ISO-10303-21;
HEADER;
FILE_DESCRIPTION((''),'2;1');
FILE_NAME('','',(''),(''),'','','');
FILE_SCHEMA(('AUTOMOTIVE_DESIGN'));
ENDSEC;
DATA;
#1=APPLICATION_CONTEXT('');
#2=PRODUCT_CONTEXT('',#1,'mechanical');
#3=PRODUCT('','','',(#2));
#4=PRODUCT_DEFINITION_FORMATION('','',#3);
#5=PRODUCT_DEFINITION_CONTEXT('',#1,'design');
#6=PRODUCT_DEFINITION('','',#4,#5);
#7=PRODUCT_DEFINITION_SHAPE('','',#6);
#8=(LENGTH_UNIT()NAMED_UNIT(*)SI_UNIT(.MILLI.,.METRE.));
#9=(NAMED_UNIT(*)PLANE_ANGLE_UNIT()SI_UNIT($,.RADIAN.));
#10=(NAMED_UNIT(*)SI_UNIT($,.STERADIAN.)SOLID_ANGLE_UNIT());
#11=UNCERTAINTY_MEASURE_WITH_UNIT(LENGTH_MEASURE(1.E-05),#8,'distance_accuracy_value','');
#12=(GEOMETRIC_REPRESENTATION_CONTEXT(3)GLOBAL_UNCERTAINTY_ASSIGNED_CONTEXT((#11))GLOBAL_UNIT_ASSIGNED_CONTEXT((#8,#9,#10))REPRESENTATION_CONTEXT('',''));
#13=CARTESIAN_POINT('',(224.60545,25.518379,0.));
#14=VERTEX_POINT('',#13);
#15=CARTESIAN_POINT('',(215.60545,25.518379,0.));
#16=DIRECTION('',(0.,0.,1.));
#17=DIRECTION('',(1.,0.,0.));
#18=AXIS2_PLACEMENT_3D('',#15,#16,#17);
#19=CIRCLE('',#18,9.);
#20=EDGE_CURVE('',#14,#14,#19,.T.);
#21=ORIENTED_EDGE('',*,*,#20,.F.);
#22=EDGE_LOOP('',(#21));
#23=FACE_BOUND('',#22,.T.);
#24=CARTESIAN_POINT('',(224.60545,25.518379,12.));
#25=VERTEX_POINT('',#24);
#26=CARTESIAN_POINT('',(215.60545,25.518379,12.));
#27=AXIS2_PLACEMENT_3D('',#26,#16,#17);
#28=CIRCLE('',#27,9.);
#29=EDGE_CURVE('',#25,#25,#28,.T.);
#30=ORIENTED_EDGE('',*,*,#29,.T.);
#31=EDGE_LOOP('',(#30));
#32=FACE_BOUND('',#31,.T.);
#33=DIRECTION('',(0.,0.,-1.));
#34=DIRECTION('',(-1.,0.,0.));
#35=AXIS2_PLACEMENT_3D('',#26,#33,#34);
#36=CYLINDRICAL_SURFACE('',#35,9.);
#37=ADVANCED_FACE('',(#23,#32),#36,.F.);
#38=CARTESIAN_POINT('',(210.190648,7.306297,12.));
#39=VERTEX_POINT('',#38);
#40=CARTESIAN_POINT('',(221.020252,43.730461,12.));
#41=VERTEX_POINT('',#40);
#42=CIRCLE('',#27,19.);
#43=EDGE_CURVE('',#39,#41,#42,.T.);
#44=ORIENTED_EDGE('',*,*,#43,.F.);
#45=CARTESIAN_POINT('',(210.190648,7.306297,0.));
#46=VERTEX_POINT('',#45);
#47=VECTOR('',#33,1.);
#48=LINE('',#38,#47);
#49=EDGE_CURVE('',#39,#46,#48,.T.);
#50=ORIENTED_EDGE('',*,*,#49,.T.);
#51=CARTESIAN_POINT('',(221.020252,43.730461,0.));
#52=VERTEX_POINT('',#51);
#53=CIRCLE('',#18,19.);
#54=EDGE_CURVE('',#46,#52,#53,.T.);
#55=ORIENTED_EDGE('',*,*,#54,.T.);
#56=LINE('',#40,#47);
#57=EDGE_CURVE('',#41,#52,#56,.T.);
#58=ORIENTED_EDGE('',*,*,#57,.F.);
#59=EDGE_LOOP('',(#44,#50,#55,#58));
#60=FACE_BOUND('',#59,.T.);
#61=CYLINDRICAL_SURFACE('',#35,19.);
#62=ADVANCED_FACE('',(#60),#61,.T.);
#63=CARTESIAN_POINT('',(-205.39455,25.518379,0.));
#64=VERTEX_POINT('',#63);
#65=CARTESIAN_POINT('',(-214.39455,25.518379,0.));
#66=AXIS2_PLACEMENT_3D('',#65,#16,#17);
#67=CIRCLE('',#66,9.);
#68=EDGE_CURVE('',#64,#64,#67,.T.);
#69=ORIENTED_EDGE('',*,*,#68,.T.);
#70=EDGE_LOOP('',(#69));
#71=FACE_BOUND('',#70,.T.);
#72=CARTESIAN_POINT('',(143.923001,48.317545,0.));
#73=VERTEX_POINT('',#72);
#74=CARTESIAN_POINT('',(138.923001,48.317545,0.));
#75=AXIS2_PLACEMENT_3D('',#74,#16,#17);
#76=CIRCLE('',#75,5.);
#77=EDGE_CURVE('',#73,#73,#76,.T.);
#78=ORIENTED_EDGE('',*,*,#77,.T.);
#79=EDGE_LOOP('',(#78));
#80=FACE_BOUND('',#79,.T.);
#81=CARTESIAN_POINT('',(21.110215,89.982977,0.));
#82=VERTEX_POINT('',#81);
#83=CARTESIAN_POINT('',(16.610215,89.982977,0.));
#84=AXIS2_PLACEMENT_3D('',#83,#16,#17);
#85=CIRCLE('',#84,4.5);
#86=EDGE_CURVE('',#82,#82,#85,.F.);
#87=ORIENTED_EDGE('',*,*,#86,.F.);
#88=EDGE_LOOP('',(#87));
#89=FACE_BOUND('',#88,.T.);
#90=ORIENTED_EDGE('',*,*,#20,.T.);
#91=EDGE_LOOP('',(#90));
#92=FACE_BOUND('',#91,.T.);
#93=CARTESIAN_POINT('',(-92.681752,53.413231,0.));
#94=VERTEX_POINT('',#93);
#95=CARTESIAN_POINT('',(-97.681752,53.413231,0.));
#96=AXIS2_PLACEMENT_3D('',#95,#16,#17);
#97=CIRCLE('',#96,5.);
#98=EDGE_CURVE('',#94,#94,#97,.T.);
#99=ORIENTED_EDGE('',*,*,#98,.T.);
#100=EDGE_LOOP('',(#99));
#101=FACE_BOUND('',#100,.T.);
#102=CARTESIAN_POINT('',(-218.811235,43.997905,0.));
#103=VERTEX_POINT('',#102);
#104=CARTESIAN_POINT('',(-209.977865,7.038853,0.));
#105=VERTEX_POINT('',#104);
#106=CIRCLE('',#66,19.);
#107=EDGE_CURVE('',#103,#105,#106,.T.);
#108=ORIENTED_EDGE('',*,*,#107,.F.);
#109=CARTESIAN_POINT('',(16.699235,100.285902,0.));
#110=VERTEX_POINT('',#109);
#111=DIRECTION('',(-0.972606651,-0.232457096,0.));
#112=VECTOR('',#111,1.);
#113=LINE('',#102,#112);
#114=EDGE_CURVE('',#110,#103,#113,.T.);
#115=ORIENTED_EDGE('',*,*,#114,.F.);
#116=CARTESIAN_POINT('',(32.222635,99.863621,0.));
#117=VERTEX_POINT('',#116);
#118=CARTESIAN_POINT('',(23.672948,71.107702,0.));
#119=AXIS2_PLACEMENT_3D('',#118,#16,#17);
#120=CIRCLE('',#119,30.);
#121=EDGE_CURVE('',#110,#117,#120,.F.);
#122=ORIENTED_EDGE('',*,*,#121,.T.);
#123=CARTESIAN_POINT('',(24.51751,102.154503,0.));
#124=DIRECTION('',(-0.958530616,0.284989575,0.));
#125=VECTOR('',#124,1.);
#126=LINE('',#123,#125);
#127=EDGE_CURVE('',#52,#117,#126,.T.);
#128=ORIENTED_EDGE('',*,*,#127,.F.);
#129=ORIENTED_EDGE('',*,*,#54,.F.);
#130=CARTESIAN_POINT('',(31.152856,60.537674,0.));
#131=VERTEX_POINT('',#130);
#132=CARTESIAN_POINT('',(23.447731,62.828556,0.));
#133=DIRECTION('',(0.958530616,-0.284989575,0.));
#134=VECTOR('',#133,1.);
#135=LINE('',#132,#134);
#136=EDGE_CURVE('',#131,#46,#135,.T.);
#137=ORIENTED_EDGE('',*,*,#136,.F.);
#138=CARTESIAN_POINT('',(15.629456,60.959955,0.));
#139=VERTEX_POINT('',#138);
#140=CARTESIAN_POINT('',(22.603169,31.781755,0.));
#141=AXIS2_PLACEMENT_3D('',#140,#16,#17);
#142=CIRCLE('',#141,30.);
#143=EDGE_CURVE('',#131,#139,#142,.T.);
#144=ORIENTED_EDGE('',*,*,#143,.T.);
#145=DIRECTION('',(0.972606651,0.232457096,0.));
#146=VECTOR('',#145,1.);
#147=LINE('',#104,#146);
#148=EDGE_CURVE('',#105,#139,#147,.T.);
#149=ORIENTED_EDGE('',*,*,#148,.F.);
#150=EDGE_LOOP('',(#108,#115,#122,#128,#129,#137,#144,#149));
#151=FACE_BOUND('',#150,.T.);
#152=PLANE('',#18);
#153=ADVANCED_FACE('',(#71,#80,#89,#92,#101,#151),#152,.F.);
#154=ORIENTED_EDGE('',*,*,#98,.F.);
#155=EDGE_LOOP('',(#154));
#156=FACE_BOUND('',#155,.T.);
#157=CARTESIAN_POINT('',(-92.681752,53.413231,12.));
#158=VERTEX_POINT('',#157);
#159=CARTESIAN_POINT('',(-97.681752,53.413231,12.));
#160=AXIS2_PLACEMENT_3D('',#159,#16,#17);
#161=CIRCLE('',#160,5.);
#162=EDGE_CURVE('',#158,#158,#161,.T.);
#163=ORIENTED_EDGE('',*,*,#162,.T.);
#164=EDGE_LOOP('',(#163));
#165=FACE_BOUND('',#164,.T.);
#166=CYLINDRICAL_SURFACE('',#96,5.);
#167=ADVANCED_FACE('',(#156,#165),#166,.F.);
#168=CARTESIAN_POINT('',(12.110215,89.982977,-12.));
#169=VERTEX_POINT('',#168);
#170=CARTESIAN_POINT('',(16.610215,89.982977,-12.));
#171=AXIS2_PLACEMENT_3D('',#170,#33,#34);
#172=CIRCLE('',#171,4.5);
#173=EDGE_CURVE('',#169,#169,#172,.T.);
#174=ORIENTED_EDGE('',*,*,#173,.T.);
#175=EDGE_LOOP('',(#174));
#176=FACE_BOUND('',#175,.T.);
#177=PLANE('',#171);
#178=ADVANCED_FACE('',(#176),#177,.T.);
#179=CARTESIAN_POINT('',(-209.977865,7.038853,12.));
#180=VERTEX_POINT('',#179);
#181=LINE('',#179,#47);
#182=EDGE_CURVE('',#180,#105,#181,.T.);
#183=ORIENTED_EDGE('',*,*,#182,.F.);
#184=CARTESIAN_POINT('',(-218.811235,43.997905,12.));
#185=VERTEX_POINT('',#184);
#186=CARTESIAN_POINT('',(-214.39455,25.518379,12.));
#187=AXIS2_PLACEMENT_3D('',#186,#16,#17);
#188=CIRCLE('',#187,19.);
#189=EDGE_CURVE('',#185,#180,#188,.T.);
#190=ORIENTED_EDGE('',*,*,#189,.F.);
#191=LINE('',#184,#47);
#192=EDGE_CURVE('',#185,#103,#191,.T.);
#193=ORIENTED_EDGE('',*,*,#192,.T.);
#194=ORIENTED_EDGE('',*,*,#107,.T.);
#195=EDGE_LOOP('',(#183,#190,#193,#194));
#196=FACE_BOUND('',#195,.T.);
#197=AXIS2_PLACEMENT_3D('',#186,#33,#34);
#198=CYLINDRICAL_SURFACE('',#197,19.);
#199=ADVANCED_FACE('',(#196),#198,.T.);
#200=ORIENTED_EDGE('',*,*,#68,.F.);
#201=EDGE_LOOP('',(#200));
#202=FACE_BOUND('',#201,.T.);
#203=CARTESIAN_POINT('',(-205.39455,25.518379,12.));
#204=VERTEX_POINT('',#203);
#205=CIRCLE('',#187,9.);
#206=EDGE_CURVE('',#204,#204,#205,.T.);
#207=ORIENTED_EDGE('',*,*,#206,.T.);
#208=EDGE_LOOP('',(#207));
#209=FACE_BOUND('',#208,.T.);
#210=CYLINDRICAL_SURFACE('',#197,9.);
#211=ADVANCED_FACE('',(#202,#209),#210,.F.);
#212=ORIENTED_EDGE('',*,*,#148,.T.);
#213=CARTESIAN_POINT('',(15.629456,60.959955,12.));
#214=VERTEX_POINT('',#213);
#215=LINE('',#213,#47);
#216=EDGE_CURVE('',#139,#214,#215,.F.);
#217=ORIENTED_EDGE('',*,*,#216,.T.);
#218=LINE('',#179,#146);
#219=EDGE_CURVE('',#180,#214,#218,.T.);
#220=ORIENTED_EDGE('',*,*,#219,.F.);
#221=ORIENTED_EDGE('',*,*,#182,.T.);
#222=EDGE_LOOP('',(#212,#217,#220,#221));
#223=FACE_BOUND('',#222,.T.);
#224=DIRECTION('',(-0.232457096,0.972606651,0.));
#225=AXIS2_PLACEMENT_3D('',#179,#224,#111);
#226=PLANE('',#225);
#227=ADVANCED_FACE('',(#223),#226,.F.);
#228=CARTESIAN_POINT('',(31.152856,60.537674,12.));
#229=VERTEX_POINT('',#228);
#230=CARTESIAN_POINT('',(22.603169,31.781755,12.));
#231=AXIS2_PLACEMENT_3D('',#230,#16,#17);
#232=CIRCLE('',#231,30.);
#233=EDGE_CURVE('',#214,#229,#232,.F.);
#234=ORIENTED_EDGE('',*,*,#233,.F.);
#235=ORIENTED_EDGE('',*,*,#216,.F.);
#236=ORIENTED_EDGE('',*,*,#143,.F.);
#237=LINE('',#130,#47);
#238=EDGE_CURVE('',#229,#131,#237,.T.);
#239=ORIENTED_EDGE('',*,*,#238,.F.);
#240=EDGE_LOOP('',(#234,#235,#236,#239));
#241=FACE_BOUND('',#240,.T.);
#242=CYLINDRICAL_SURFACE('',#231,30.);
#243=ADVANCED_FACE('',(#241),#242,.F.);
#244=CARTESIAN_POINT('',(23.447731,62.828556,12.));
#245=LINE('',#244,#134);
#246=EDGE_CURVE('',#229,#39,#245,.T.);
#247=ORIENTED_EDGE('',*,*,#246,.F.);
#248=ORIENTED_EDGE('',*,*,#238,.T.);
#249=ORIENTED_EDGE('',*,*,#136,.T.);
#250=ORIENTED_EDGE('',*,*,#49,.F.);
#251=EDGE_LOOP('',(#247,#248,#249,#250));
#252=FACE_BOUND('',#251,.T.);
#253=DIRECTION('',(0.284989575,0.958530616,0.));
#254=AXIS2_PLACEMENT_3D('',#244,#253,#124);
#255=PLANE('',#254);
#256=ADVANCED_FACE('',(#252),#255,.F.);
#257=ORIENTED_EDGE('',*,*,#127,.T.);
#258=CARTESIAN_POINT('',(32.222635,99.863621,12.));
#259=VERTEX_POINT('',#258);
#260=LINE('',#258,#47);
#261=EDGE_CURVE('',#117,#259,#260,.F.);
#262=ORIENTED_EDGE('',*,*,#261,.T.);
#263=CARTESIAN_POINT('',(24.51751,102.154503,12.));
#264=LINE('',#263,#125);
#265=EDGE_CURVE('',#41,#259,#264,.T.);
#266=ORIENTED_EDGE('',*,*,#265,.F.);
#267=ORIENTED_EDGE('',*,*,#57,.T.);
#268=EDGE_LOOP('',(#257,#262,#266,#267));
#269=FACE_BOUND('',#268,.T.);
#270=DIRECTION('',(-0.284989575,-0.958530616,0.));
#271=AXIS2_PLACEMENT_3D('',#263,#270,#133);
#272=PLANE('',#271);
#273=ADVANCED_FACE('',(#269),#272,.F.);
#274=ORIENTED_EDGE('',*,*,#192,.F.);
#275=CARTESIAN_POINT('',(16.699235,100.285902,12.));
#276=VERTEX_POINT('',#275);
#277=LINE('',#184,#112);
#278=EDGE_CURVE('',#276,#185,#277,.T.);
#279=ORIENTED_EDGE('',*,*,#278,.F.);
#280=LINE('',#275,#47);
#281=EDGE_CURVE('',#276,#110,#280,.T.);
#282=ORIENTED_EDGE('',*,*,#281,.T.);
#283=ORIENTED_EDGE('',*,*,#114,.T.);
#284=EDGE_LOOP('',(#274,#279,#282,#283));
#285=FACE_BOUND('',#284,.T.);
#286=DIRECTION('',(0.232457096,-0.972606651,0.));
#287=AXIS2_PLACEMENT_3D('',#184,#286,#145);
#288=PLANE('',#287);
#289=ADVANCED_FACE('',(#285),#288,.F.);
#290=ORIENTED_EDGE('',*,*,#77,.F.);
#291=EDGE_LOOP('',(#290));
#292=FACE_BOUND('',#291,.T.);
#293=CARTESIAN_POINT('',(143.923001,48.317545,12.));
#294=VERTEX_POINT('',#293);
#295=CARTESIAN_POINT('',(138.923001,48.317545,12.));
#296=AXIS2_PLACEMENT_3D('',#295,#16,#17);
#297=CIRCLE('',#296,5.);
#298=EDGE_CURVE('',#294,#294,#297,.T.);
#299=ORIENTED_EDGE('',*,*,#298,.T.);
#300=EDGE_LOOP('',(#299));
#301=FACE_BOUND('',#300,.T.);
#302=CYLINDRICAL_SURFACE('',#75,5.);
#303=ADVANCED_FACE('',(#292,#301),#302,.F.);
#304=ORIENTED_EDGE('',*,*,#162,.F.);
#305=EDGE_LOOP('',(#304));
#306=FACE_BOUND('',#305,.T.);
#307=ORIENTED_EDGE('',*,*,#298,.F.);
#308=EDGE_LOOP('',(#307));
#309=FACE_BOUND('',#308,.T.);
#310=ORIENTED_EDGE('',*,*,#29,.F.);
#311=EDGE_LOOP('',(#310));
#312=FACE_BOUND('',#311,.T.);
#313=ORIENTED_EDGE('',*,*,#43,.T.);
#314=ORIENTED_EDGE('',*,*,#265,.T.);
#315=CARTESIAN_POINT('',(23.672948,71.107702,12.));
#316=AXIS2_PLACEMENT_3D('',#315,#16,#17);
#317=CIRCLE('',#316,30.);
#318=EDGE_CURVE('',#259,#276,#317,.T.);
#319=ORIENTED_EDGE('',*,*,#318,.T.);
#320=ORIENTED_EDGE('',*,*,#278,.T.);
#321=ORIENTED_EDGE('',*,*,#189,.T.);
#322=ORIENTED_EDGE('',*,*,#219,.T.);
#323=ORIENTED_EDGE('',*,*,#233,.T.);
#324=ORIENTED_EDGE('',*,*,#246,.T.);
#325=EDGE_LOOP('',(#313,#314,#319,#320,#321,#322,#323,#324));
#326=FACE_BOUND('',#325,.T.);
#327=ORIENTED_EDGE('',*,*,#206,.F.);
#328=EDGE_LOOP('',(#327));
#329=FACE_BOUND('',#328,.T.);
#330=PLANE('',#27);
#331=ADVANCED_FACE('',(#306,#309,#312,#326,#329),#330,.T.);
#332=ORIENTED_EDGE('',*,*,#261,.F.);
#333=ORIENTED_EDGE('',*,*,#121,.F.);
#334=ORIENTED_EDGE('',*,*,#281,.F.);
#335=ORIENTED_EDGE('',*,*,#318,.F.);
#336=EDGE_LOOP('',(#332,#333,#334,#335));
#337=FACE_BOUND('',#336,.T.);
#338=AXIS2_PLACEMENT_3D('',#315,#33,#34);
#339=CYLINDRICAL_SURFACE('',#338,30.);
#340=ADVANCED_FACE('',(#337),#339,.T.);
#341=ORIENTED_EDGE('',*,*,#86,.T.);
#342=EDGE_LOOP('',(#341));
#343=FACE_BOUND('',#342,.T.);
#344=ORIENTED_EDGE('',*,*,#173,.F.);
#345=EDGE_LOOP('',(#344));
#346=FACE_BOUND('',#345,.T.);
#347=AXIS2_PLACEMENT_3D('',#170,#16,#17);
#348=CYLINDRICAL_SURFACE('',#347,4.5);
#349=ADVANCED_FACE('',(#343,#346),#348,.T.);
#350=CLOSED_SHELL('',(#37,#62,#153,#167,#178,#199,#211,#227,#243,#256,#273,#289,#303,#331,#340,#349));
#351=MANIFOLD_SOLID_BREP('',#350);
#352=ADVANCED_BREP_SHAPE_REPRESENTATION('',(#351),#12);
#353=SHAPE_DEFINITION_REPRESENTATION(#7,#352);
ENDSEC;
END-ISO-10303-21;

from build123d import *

# Parameters (mm, degrees)
CROQUIS1_R              = 9
SALIENTE_EXTRUIR1_DEPTH = 12
REDONDEO1_R             = 30
CROQUIS2_R              = 5
CORTAR_EXTRUIR1_DEPTH   = 256.746915224
CROQUIS3_R              = 4.5
SALIENTE_EXTRUIR2_DEPTH = 12


with BuildPart() as part:
    # Croquis1 → Saliente-Extruir1 (new body)
    with BuildSketch(Plane.XY):
        with BuildLine():
            Line((24.517509814, 102.154502749), (221.020251881, 43.73046074))
            ThreePointArc((221.020251881, 43.73046074), (233.817531659, 20.103577105), (210.190648025, 7.306297327))
            Line((210.190648025, 7.306297327), (23.447731129, 62.828555729))
            Line((23.447731129, 62.828555729), (-209.97786522, 7.038852656))
            ThreePointArc((-209.97786522, 7.038852656), (-232.874076425, 21.101694207), (-218.811234874, 43.997905411))
            Line((-218.811234874, 43.997905411), (24.517509814, 102.154502749))
        make_face()
        with Locations((-214.394550047, 25.518379034)):
            Circle(CROQUIS1_R, mode=Mode.SUBTRACT)
        with Locations((215.605449953, 25.518379034)):
            Circle(CROQUIS1_R, mode=Mode.SUBTRACT)
    extrude(amount=SALIENTE_EXTRUIR1_DEPTH)

    # Redondeo1
    redondeo1_edges = [part.edges().sort_by_distance(p)[0] for p in [
        (23.447731129, 62.828555729, 6),
        (24.517509814, 102.154502749, 6),
    ]]
    fillet(redondeo1_edges, radius=REDONDEO1_R)

    # Croquis2 → Cortar-Extruir1 (cut, through all)
    with BuildSketch(Plane.XY.offset(12)):
        with Locations((138.923000663, 48.317545048)):
            Circle(CROQUIS2_R)
        with Locations((-97.681751872, 53.41323057)):
            Circle(CROQUIS2_R)
    extrude(amount=-CORTAR_EXTRUIR1_DEPTH, mode=Mode.SUBTRACT)

    # Croquis3 → Saliente-Extruir2 (add)
    with BuildSketch(Plane(origin=(0, 0, 0), x_dir=(-1, 0, 0), z_dir=(0, 0, -1))):
        with Locations(Location((-16.610214781, 89.982977062, 0), (0, 0, 180))):
            Circle(CROQUIS3_R)
    extrude(amount=SALIENTE_EXTRUIR2_DEPTH)


solid = part.part
